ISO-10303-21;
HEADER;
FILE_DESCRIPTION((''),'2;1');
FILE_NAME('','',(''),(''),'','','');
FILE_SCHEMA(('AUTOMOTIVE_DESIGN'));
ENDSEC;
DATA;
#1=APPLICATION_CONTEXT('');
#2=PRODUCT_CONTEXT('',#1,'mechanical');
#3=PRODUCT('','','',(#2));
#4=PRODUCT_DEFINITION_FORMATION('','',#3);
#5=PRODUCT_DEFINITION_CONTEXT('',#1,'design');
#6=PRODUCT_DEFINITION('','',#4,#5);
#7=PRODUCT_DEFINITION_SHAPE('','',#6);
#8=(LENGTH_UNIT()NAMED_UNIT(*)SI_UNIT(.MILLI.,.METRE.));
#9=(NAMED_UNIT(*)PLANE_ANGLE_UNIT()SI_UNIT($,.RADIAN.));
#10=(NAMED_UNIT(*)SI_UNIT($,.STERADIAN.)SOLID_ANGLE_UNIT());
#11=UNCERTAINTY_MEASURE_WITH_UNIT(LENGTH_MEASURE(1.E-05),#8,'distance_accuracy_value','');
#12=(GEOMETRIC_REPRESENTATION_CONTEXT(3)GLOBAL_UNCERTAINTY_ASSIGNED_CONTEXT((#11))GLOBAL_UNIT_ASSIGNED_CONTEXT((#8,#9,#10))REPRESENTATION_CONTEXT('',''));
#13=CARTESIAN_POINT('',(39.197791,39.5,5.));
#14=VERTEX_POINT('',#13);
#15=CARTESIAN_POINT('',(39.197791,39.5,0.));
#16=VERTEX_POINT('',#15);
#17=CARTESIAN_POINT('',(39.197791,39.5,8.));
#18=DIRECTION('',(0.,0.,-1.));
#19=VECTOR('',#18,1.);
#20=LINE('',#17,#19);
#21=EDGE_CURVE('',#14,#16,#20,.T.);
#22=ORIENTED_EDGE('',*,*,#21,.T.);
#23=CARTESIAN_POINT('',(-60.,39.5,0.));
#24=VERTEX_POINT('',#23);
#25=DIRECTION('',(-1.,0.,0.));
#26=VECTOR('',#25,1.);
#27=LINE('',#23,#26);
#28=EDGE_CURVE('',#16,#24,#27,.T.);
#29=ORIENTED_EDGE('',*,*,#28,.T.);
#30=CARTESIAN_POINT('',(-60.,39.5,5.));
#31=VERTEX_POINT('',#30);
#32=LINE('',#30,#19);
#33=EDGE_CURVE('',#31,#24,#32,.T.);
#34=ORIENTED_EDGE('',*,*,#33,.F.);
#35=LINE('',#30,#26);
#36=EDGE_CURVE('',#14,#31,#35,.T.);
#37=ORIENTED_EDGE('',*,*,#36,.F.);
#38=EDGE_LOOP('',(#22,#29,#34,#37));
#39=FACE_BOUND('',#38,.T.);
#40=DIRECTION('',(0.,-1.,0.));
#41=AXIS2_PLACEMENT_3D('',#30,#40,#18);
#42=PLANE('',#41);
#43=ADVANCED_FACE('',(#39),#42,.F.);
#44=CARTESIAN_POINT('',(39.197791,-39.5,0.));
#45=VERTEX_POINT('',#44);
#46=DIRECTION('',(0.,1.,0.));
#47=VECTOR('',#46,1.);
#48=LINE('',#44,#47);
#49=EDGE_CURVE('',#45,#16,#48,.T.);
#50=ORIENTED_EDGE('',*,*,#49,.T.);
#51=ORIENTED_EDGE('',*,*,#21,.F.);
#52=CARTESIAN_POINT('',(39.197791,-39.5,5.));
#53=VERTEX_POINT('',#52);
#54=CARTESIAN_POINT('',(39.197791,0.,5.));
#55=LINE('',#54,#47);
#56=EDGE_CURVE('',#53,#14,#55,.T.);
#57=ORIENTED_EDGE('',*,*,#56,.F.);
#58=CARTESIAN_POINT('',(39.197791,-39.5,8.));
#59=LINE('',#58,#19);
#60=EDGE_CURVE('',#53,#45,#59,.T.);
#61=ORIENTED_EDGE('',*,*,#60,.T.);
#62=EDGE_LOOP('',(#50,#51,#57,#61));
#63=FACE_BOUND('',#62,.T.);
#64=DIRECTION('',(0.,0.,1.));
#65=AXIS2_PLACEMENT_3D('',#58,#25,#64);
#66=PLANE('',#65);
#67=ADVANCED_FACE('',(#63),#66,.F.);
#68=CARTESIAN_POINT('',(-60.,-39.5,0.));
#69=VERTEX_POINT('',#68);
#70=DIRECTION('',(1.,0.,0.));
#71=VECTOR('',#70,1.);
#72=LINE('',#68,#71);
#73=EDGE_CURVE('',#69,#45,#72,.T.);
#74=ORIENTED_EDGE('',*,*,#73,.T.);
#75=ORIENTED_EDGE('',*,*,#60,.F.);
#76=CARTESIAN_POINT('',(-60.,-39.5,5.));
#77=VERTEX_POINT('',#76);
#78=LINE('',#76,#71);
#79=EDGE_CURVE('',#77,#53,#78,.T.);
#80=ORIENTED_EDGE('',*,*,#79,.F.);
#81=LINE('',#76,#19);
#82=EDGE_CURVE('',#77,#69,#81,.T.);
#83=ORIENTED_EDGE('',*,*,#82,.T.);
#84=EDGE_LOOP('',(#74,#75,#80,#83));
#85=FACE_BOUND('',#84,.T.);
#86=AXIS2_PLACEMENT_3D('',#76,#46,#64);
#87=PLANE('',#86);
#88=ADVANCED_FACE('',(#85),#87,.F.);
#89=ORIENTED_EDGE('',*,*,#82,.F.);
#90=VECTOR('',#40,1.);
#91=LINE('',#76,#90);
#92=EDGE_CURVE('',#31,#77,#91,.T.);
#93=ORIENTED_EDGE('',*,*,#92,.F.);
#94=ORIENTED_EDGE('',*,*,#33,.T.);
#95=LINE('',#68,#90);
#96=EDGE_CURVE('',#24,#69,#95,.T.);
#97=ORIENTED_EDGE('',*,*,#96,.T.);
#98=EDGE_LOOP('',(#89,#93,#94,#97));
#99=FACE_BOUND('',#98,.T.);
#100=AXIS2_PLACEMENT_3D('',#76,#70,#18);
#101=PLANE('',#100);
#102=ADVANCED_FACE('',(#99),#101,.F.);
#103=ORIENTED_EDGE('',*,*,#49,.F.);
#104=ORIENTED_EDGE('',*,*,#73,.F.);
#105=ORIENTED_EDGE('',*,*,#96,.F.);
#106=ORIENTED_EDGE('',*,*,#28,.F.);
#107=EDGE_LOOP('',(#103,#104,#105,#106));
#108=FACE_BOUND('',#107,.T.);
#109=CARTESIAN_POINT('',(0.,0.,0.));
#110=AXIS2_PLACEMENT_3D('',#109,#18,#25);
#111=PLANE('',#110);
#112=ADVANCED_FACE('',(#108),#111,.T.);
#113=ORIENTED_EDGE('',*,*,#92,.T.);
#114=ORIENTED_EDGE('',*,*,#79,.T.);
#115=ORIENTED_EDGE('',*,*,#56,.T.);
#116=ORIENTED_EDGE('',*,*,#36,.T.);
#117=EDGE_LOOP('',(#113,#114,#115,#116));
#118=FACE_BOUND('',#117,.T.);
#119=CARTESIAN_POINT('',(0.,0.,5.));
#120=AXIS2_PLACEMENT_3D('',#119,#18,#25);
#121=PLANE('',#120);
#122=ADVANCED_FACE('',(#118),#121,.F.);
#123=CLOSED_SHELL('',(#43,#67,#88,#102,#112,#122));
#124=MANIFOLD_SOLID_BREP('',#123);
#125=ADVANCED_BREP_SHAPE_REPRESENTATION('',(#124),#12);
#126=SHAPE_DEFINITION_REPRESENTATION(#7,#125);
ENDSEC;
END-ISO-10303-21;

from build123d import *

# Parameters (mm, degrees)
SKETCH_1_W          = 120
SKETCH_1_H          = 79
EXTRUDE_1_DEPTH     = 5
SKETCH_2_W          = 20.802208865
SKETCH_2_H          = 79
CUT_EXTRUDE_1_DEPTH = 8


with BuildPart() as part:
    # 草图1 → 凸台-拉伸1 (new body)
    with BuildSketch(Plane.XY):
        Rectangle(SKETCH_1_W, SKETCH_1_H)
    extrude(amount=EXTRUDE_1_DEPTH)

    # 草图2 → 切除-拉伸1 (cut)
    with BuildSketch(Plane(origin=(0, 0, 0), x_dir=(-1, 0, 0), z_dir=(0, 0, -1))):
        with Locations((-49.598895568, 0)):
            Rectangle(SKETCH_2_W, SKETCH_2_H)
    extrude(amount=-CUT_EXTRUDE_1_DEPTH, mode=Mode.SUBTRACT)


solid = part.part
